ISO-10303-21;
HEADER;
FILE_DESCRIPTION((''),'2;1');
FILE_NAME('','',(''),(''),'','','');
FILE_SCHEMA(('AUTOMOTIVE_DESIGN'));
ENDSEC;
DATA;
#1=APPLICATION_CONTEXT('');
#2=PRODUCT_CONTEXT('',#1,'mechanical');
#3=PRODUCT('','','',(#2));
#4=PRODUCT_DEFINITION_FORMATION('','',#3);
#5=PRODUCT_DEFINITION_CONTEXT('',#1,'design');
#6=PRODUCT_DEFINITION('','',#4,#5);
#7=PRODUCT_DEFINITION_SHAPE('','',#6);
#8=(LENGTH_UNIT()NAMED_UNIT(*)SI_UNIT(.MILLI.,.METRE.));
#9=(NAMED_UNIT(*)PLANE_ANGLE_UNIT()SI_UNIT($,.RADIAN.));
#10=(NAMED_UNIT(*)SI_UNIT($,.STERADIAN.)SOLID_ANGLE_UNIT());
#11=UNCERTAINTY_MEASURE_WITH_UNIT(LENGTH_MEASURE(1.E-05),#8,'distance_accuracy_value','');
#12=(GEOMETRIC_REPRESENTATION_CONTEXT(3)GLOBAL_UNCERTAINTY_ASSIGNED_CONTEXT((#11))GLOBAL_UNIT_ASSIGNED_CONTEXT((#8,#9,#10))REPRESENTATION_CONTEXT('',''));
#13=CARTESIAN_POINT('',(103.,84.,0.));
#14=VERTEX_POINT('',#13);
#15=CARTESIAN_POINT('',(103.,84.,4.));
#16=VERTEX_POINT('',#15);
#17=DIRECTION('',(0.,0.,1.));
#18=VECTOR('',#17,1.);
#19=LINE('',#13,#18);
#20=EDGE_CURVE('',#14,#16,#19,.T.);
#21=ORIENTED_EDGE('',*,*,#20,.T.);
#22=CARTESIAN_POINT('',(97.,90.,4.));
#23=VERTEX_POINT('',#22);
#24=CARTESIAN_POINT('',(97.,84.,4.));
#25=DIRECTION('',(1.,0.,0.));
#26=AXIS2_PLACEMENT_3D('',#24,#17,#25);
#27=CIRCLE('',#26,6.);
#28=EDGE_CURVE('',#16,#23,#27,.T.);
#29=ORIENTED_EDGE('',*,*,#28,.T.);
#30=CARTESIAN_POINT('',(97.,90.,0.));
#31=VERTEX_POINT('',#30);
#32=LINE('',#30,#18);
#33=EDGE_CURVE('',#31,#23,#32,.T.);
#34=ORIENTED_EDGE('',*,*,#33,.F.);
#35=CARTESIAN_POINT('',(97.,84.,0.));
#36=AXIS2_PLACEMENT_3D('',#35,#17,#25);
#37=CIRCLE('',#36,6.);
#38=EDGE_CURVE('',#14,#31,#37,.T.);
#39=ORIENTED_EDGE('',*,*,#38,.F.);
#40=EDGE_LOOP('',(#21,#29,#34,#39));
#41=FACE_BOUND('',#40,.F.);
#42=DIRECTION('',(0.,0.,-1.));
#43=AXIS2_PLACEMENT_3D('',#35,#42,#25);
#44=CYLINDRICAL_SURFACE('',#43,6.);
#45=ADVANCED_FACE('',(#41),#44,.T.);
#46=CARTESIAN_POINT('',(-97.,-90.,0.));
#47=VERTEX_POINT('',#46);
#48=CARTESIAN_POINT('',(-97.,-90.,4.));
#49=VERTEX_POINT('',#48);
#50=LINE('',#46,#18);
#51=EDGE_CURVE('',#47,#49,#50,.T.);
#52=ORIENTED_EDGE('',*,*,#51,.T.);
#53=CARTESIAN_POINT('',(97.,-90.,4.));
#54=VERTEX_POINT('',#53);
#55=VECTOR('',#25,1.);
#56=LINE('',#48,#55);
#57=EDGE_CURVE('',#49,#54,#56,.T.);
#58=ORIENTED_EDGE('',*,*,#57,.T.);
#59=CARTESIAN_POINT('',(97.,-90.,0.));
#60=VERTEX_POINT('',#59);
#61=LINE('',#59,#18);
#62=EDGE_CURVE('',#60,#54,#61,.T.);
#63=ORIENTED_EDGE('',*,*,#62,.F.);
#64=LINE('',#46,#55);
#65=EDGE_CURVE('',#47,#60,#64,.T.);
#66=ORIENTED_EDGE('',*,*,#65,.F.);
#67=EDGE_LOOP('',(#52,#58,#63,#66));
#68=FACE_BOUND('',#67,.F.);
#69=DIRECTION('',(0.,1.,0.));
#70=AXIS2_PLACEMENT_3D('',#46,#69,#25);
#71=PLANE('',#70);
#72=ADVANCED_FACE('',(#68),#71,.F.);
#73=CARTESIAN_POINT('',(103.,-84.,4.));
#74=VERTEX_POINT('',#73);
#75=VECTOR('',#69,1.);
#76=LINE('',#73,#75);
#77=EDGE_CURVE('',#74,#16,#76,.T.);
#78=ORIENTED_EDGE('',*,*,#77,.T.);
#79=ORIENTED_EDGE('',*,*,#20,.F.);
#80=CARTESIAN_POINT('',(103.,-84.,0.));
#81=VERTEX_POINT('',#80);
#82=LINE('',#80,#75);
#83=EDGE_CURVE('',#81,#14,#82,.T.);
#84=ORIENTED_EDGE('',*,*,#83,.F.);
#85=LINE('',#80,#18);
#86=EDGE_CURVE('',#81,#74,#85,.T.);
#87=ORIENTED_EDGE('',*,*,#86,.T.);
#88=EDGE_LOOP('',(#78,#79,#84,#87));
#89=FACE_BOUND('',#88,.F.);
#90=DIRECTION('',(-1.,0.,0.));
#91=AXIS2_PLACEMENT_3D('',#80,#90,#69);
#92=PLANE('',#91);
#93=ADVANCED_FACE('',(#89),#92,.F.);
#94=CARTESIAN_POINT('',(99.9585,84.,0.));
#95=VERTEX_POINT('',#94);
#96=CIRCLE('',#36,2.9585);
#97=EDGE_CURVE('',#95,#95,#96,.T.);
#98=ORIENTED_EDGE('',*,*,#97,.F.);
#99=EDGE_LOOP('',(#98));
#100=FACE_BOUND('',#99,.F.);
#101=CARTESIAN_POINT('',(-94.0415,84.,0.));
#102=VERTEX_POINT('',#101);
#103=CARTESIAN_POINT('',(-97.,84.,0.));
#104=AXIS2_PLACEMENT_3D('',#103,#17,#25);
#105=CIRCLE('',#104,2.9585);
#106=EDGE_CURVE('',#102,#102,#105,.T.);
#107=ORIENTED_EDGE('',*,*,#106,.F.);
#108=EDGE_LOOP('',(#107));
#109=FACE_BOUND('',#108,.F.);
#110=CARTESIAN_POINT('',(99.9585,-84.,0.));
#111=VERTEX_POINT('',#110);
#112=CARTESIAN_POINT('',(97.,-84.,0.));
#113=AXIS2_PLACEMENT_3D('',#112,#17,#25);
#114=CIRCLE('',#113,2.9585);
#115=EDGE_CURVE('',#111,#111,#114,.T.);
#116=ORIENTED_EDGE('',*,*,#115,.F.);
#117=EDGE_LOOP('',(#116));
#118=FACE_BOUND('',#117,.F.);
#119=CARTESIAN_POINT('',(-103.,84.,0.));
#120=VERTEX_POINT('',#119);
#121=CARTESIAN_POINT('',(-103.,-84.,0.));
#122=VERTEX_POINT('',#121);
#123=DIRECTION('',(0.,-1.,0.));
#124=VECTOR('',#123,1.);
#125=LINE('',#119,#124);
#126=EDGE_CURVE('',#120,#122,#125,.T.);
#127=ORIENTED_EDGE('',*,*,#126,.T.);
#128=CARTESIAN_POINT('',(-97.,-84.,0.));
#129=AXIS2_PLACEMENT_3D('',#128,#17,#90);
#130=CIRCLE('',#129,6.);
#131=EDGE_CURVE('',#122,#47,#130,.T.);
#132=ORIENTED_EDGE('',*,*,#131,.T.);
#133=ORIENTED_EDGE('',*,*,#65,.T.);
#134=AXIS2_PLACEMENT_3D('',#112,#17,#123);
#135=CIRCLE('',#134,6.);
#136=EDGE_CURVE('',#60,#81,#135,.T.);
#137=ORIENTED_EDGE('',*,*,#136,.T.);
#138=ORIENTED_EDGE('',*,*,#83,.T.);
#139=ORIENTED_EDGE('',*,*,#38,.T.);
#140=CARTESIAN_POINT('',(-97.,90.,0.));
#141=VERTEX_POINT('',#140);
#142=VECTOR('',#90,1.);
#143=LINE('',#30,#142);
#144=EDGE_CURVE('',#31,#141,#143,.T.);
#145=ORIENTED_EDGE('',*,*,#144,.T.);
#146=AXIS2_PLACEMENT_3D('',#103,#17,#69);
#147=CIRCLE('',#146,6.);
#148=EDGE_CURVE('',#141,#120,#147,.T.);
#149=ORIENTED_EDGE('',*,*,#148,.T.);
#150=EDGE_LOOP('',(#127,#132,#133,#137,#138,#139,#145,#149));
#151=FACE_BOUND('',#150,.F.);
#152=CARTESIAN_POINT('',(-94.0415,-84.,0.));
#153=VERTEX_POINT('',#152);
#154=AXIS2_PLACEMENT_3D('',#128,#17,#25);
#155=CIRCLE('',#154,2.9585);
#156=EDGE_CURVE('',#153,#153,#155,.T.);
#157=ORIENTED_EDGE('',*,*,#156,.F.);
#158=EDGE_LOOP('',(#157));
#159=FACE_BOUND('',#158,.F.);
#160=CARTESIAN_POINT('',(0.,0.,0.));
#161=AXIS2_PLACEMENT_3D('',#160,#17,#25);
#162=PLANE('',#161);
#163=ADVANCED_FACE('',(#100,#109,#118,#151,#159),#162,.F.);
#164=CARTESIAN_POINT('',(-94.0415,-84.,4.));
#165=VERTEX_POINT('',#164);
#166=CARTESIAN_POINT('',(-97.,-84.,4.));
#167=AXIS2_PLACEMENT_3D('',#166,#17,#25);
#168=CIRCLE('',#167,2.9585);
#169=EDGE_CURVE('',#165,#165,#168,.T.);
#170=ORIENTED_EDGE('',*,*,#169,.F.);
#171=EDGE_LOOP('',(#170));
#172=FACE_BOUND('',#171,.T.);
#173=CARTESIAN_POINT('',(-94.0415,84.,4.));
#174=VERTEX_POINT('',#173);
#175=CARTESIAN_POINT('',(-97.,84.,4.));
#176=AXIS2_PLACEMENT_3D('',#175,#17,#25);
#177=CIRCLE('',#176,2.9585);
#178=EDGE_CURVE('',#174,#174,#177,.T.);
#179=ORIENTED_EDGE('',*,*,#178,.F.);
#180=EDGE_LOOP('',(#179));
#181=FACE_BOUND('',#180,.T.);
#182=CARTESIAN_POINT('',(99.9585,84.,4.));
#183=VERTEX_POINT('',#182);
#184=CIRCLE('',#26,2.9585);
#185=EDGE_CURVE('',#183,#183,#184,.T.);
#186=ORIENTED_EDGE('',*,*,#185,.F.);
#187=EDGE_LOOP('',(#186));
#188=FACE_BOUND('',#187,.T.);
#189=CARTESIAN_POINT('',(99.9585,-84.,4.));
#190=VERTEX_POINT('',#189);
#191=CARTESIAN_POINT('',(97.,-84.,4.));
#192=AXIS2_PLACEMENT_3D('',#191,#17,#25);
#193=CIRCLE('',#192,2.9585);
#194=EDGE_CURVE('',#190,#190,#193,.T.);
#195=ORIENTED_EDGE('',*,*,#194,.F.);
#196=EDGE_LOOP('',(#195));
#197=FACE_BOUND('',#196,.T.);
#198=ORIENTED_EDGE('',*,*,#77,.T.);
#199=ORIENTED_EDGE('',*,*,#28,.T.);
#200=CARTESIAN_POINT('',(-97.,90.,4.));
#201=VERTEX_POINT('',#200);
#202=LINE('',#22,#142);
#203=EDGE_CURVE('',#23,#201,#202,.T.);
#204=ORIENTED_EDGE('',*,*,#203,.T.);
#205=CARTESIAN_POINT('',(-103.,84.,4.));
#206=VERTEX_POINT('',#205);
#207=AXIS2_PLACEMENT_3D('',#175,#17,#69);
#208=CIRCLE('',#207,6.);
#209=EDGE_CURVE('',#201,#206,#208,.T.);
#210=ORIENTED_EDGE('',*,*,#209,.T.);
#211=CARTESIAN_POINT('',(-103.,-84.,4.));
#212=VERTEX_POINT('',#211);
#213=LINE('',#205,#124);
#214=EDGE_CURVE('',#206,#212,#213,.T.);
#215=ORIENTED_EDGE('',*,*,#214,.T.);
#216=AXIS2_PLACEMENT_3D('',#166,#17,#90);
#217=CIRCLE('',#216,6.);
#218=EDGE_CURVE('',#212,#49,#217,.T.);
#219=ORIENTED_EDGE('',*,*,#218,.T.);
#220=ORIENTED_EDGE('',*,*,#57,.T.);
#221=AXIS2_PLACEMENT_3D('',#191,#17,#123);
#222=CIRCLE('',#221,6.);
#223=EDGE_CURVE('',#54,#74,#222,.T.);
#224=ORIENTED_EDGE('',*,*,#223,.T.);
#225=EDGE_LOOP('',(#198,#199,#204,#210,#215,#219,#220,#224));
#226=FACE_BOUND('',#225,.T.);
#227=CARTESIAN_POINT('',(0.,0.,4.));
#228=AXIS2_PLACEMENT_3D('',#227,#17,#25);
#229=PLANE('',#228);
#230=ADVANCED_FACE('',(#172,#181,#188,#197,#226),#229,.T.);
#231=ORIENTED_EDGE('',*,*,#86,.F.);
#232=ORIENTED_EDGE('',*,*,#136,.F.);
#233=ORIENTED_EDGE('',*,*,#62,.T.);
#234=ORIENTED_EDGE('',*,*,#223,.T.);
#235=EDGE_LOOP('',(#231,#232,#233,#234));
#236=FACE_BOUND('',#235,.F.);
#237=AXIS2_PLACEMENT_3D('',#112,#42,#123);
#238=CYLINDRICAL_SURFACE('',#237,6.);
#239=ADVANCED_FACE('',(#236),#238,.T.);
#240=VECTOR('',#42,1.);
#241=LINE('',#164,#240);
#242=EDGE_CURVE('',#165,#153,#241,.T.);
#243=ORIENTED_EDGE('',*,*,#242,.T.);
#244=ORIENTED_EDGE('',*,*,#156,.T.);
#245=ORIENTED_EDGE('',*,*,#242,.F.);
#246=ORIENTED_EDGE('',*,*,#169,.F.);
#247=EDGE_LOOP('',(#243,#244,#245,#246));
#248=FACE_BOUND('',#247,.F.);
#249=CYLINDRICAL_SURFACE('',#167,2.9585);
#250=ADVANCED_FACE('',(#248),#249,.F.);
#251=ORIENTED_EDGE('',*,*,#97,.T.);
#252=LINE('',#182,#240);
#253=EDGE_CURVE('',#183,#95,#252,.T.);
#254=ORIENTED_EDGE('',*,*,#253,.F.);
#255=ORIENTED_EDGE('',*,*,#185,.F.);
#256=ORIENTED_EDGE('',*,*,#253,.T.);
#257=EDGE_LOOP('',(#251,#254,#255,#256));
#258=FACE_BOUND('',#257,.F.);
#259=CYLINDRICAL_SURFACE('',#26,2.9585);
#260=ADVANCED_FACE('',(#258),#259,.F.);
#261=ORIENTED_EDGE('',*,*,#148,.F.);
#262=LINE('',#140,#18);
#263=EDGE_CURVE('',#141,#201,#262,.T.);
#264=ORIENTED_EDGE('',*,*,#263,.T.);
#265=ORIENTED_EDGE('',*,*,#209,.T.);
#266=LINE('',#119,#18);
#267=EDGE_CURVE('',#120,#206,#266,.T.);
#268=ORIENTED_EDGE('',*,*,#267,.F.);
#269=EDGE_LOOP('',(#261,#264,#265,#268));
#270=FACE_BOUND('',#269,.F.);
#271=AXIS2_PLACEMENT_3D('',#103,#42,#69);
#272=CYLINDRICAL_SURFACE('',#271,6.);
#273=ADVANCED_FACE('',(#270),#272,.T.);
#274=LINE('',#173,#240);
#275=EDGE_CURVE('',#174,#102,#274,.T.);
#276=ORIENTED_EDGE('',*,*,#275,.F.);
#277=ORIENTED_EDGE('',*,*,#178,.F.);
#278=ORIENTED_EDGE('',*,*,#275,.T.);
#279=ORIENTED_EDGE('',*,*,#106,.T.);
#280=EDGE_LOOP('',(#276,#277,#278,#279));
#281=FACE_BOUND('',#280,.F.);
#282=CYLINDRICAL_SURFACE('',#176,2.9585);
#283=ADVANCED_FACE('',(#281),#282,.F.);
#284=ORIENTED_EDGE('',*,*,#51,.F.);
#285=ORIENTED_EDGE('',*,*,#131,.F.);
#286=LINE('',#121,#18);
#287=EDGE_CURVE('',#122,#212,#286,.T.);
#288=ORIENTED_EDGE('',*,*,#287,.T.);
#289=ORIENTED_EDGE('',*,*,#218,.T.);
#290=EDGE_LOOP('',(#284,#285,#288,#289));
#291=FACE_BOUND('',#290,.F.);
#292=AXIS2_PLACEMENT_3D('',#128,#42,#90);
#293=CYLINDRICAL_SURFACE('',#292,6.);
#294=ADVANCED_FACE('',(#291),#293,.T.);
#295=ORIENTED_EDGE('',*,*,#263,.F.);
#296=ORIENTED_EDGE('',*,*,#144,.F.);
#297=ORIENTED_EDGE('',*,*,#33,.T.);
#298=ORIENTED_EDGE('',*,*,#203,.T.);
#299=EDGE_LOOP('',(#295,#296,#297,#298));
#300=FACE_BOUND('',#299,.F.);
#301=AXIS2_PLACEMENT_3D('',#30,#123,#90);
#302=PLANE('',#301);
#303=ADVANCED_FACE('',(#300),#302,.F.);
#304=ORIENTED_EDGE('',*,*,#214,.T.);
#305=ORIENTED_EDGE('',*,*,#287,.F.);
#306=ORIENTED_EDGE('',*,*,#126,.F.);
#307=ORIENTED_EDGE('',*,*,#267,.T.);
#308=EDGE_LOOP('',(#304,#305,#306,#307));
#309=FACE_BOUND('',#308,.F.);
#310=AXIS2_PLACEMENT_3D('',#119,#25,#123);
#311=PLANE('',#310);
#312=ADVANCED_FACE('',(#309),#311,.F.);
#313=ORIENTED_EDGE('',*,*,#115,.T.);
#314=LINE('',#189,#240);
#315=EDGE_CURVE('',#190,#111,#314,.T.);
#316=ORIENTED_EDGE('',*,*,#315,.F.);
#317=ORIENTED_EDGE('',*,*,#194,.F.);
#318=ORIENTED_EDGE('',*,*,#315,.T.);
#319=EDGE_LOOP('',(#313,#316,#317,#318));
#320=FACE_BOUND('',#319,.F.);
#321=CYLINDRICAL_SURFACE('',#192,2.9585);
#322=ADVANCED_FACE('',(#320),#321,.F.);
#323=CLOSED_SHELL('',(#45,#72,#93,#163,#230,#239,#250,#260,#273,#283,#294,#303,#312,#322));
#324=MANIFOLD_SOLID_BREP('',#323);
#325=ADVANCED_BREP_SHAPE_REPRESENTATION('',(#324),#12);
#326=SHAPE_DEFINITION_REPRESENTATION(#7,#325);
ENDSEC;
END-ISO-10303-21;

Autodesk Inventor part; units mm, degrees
ref_plane "YZ Plane" through (0, 0, 0) normal (1, 0, 0) x (0, 1, 0)
ref_plane "XZ Plane" through (0, 0, 0) normal (0, 1, 0) x (-1, 0, 0)
ref_plane "工作平面1" through (0, 0, 0) normal (0, 0, 1) x (1, 0, 0)
sketch "草图1" plane through (0, 0, 0) normal (0, 0, 1) x (1, 0, 0)
  circle A0 centre (-97, -84) radius 2.4585 projected
  circle A1 centre (97, 84) radius 2.4585 projected
  circle A2 centre (97, -84) radius 2.4585 projected
  circle A3 centre (-97, 84) radius 2.4585 projected
  line L0 (85, -75) -> (-85, -75) construction
  line L1 (-85, -75) -> (-85, 75) construction
  line L2 (-85, 75) -> (85, 75) construction
  line L3 (85, 75) -> (85, -75) construction
  arc A4 (97, -90) -> (103, -84) centre (97, -84) ccw projected
  line L4 (103, -84) -> (103, 84) projected
  arc A5 (103, 84) -> (97, 90) centre (97, 84) ccw projected
  line L5 (97, 90) -> (-97, 90) projected
  arc A6 (-97, 90) -> (-103, 84) centre (-97, 84) ccw projected
  line L6 (-103, 84) -> (-103, -84) projected
  arc A7 (-103, -84) -> (-97, -90) centre (-97, -84) ccw projected
  line L7 (-97, -90) -> (97, -90) projected
  point P0 (0, 0)
extrude "拉伸1" add sketch "草图1" along normal blind 4
sketch "草图2" plane through (0, 0, 4) normal (0, 0, 1) x (1, 0, 0)
  arc A0 (103, 84) -> (97, 90) centre (97, 84) ccw construction
  line L0 (97, 90) -> (-97, 90) construction
  arc A1 (-97, 90) -> (-103, 84) centre (-97, 84) ccw construction
  line L1 (-103, 84) -> (-103, -84) construction
  arc A2 (-103, -84) -> (-97, -90) centre (-97, -84) ccw construction
  line L2 (-97, -90) -> (97, -90) construction
  arc A3 (97, -90) -> (103, -84) centre (97, -84) ccw construction
  line L3 (103, -84) -> (103, 84) construction
  circle A4 centre (-97, -84) radius 2.4585 construction
  circle A5 centre (97, -84) radius 2.4585 construction
  circle A6 centre (-97, 84) radius 2.4585 construction
  circle A7 centre (97, 84) radius 2.4585 construction
  circle A8 centre (97, 84) radius 2.9585
  circle A9 centre (-97, 84) radius 2.9585
  circle A10 centre (-97, -84) radius 2.9585
  circle A11 centre (97, -84) radius 2.9585
  point P0 (0, 0)
  dimension "d2" = 0.5
  dimension "d3" = 0.5
  dimension "d4" = 0.5
  dimension "d5" = 0.5
extrude "拉伸2" cut sketch "草图2" against normal up to surface (4 mm away)
properties part number "视空盖1"
